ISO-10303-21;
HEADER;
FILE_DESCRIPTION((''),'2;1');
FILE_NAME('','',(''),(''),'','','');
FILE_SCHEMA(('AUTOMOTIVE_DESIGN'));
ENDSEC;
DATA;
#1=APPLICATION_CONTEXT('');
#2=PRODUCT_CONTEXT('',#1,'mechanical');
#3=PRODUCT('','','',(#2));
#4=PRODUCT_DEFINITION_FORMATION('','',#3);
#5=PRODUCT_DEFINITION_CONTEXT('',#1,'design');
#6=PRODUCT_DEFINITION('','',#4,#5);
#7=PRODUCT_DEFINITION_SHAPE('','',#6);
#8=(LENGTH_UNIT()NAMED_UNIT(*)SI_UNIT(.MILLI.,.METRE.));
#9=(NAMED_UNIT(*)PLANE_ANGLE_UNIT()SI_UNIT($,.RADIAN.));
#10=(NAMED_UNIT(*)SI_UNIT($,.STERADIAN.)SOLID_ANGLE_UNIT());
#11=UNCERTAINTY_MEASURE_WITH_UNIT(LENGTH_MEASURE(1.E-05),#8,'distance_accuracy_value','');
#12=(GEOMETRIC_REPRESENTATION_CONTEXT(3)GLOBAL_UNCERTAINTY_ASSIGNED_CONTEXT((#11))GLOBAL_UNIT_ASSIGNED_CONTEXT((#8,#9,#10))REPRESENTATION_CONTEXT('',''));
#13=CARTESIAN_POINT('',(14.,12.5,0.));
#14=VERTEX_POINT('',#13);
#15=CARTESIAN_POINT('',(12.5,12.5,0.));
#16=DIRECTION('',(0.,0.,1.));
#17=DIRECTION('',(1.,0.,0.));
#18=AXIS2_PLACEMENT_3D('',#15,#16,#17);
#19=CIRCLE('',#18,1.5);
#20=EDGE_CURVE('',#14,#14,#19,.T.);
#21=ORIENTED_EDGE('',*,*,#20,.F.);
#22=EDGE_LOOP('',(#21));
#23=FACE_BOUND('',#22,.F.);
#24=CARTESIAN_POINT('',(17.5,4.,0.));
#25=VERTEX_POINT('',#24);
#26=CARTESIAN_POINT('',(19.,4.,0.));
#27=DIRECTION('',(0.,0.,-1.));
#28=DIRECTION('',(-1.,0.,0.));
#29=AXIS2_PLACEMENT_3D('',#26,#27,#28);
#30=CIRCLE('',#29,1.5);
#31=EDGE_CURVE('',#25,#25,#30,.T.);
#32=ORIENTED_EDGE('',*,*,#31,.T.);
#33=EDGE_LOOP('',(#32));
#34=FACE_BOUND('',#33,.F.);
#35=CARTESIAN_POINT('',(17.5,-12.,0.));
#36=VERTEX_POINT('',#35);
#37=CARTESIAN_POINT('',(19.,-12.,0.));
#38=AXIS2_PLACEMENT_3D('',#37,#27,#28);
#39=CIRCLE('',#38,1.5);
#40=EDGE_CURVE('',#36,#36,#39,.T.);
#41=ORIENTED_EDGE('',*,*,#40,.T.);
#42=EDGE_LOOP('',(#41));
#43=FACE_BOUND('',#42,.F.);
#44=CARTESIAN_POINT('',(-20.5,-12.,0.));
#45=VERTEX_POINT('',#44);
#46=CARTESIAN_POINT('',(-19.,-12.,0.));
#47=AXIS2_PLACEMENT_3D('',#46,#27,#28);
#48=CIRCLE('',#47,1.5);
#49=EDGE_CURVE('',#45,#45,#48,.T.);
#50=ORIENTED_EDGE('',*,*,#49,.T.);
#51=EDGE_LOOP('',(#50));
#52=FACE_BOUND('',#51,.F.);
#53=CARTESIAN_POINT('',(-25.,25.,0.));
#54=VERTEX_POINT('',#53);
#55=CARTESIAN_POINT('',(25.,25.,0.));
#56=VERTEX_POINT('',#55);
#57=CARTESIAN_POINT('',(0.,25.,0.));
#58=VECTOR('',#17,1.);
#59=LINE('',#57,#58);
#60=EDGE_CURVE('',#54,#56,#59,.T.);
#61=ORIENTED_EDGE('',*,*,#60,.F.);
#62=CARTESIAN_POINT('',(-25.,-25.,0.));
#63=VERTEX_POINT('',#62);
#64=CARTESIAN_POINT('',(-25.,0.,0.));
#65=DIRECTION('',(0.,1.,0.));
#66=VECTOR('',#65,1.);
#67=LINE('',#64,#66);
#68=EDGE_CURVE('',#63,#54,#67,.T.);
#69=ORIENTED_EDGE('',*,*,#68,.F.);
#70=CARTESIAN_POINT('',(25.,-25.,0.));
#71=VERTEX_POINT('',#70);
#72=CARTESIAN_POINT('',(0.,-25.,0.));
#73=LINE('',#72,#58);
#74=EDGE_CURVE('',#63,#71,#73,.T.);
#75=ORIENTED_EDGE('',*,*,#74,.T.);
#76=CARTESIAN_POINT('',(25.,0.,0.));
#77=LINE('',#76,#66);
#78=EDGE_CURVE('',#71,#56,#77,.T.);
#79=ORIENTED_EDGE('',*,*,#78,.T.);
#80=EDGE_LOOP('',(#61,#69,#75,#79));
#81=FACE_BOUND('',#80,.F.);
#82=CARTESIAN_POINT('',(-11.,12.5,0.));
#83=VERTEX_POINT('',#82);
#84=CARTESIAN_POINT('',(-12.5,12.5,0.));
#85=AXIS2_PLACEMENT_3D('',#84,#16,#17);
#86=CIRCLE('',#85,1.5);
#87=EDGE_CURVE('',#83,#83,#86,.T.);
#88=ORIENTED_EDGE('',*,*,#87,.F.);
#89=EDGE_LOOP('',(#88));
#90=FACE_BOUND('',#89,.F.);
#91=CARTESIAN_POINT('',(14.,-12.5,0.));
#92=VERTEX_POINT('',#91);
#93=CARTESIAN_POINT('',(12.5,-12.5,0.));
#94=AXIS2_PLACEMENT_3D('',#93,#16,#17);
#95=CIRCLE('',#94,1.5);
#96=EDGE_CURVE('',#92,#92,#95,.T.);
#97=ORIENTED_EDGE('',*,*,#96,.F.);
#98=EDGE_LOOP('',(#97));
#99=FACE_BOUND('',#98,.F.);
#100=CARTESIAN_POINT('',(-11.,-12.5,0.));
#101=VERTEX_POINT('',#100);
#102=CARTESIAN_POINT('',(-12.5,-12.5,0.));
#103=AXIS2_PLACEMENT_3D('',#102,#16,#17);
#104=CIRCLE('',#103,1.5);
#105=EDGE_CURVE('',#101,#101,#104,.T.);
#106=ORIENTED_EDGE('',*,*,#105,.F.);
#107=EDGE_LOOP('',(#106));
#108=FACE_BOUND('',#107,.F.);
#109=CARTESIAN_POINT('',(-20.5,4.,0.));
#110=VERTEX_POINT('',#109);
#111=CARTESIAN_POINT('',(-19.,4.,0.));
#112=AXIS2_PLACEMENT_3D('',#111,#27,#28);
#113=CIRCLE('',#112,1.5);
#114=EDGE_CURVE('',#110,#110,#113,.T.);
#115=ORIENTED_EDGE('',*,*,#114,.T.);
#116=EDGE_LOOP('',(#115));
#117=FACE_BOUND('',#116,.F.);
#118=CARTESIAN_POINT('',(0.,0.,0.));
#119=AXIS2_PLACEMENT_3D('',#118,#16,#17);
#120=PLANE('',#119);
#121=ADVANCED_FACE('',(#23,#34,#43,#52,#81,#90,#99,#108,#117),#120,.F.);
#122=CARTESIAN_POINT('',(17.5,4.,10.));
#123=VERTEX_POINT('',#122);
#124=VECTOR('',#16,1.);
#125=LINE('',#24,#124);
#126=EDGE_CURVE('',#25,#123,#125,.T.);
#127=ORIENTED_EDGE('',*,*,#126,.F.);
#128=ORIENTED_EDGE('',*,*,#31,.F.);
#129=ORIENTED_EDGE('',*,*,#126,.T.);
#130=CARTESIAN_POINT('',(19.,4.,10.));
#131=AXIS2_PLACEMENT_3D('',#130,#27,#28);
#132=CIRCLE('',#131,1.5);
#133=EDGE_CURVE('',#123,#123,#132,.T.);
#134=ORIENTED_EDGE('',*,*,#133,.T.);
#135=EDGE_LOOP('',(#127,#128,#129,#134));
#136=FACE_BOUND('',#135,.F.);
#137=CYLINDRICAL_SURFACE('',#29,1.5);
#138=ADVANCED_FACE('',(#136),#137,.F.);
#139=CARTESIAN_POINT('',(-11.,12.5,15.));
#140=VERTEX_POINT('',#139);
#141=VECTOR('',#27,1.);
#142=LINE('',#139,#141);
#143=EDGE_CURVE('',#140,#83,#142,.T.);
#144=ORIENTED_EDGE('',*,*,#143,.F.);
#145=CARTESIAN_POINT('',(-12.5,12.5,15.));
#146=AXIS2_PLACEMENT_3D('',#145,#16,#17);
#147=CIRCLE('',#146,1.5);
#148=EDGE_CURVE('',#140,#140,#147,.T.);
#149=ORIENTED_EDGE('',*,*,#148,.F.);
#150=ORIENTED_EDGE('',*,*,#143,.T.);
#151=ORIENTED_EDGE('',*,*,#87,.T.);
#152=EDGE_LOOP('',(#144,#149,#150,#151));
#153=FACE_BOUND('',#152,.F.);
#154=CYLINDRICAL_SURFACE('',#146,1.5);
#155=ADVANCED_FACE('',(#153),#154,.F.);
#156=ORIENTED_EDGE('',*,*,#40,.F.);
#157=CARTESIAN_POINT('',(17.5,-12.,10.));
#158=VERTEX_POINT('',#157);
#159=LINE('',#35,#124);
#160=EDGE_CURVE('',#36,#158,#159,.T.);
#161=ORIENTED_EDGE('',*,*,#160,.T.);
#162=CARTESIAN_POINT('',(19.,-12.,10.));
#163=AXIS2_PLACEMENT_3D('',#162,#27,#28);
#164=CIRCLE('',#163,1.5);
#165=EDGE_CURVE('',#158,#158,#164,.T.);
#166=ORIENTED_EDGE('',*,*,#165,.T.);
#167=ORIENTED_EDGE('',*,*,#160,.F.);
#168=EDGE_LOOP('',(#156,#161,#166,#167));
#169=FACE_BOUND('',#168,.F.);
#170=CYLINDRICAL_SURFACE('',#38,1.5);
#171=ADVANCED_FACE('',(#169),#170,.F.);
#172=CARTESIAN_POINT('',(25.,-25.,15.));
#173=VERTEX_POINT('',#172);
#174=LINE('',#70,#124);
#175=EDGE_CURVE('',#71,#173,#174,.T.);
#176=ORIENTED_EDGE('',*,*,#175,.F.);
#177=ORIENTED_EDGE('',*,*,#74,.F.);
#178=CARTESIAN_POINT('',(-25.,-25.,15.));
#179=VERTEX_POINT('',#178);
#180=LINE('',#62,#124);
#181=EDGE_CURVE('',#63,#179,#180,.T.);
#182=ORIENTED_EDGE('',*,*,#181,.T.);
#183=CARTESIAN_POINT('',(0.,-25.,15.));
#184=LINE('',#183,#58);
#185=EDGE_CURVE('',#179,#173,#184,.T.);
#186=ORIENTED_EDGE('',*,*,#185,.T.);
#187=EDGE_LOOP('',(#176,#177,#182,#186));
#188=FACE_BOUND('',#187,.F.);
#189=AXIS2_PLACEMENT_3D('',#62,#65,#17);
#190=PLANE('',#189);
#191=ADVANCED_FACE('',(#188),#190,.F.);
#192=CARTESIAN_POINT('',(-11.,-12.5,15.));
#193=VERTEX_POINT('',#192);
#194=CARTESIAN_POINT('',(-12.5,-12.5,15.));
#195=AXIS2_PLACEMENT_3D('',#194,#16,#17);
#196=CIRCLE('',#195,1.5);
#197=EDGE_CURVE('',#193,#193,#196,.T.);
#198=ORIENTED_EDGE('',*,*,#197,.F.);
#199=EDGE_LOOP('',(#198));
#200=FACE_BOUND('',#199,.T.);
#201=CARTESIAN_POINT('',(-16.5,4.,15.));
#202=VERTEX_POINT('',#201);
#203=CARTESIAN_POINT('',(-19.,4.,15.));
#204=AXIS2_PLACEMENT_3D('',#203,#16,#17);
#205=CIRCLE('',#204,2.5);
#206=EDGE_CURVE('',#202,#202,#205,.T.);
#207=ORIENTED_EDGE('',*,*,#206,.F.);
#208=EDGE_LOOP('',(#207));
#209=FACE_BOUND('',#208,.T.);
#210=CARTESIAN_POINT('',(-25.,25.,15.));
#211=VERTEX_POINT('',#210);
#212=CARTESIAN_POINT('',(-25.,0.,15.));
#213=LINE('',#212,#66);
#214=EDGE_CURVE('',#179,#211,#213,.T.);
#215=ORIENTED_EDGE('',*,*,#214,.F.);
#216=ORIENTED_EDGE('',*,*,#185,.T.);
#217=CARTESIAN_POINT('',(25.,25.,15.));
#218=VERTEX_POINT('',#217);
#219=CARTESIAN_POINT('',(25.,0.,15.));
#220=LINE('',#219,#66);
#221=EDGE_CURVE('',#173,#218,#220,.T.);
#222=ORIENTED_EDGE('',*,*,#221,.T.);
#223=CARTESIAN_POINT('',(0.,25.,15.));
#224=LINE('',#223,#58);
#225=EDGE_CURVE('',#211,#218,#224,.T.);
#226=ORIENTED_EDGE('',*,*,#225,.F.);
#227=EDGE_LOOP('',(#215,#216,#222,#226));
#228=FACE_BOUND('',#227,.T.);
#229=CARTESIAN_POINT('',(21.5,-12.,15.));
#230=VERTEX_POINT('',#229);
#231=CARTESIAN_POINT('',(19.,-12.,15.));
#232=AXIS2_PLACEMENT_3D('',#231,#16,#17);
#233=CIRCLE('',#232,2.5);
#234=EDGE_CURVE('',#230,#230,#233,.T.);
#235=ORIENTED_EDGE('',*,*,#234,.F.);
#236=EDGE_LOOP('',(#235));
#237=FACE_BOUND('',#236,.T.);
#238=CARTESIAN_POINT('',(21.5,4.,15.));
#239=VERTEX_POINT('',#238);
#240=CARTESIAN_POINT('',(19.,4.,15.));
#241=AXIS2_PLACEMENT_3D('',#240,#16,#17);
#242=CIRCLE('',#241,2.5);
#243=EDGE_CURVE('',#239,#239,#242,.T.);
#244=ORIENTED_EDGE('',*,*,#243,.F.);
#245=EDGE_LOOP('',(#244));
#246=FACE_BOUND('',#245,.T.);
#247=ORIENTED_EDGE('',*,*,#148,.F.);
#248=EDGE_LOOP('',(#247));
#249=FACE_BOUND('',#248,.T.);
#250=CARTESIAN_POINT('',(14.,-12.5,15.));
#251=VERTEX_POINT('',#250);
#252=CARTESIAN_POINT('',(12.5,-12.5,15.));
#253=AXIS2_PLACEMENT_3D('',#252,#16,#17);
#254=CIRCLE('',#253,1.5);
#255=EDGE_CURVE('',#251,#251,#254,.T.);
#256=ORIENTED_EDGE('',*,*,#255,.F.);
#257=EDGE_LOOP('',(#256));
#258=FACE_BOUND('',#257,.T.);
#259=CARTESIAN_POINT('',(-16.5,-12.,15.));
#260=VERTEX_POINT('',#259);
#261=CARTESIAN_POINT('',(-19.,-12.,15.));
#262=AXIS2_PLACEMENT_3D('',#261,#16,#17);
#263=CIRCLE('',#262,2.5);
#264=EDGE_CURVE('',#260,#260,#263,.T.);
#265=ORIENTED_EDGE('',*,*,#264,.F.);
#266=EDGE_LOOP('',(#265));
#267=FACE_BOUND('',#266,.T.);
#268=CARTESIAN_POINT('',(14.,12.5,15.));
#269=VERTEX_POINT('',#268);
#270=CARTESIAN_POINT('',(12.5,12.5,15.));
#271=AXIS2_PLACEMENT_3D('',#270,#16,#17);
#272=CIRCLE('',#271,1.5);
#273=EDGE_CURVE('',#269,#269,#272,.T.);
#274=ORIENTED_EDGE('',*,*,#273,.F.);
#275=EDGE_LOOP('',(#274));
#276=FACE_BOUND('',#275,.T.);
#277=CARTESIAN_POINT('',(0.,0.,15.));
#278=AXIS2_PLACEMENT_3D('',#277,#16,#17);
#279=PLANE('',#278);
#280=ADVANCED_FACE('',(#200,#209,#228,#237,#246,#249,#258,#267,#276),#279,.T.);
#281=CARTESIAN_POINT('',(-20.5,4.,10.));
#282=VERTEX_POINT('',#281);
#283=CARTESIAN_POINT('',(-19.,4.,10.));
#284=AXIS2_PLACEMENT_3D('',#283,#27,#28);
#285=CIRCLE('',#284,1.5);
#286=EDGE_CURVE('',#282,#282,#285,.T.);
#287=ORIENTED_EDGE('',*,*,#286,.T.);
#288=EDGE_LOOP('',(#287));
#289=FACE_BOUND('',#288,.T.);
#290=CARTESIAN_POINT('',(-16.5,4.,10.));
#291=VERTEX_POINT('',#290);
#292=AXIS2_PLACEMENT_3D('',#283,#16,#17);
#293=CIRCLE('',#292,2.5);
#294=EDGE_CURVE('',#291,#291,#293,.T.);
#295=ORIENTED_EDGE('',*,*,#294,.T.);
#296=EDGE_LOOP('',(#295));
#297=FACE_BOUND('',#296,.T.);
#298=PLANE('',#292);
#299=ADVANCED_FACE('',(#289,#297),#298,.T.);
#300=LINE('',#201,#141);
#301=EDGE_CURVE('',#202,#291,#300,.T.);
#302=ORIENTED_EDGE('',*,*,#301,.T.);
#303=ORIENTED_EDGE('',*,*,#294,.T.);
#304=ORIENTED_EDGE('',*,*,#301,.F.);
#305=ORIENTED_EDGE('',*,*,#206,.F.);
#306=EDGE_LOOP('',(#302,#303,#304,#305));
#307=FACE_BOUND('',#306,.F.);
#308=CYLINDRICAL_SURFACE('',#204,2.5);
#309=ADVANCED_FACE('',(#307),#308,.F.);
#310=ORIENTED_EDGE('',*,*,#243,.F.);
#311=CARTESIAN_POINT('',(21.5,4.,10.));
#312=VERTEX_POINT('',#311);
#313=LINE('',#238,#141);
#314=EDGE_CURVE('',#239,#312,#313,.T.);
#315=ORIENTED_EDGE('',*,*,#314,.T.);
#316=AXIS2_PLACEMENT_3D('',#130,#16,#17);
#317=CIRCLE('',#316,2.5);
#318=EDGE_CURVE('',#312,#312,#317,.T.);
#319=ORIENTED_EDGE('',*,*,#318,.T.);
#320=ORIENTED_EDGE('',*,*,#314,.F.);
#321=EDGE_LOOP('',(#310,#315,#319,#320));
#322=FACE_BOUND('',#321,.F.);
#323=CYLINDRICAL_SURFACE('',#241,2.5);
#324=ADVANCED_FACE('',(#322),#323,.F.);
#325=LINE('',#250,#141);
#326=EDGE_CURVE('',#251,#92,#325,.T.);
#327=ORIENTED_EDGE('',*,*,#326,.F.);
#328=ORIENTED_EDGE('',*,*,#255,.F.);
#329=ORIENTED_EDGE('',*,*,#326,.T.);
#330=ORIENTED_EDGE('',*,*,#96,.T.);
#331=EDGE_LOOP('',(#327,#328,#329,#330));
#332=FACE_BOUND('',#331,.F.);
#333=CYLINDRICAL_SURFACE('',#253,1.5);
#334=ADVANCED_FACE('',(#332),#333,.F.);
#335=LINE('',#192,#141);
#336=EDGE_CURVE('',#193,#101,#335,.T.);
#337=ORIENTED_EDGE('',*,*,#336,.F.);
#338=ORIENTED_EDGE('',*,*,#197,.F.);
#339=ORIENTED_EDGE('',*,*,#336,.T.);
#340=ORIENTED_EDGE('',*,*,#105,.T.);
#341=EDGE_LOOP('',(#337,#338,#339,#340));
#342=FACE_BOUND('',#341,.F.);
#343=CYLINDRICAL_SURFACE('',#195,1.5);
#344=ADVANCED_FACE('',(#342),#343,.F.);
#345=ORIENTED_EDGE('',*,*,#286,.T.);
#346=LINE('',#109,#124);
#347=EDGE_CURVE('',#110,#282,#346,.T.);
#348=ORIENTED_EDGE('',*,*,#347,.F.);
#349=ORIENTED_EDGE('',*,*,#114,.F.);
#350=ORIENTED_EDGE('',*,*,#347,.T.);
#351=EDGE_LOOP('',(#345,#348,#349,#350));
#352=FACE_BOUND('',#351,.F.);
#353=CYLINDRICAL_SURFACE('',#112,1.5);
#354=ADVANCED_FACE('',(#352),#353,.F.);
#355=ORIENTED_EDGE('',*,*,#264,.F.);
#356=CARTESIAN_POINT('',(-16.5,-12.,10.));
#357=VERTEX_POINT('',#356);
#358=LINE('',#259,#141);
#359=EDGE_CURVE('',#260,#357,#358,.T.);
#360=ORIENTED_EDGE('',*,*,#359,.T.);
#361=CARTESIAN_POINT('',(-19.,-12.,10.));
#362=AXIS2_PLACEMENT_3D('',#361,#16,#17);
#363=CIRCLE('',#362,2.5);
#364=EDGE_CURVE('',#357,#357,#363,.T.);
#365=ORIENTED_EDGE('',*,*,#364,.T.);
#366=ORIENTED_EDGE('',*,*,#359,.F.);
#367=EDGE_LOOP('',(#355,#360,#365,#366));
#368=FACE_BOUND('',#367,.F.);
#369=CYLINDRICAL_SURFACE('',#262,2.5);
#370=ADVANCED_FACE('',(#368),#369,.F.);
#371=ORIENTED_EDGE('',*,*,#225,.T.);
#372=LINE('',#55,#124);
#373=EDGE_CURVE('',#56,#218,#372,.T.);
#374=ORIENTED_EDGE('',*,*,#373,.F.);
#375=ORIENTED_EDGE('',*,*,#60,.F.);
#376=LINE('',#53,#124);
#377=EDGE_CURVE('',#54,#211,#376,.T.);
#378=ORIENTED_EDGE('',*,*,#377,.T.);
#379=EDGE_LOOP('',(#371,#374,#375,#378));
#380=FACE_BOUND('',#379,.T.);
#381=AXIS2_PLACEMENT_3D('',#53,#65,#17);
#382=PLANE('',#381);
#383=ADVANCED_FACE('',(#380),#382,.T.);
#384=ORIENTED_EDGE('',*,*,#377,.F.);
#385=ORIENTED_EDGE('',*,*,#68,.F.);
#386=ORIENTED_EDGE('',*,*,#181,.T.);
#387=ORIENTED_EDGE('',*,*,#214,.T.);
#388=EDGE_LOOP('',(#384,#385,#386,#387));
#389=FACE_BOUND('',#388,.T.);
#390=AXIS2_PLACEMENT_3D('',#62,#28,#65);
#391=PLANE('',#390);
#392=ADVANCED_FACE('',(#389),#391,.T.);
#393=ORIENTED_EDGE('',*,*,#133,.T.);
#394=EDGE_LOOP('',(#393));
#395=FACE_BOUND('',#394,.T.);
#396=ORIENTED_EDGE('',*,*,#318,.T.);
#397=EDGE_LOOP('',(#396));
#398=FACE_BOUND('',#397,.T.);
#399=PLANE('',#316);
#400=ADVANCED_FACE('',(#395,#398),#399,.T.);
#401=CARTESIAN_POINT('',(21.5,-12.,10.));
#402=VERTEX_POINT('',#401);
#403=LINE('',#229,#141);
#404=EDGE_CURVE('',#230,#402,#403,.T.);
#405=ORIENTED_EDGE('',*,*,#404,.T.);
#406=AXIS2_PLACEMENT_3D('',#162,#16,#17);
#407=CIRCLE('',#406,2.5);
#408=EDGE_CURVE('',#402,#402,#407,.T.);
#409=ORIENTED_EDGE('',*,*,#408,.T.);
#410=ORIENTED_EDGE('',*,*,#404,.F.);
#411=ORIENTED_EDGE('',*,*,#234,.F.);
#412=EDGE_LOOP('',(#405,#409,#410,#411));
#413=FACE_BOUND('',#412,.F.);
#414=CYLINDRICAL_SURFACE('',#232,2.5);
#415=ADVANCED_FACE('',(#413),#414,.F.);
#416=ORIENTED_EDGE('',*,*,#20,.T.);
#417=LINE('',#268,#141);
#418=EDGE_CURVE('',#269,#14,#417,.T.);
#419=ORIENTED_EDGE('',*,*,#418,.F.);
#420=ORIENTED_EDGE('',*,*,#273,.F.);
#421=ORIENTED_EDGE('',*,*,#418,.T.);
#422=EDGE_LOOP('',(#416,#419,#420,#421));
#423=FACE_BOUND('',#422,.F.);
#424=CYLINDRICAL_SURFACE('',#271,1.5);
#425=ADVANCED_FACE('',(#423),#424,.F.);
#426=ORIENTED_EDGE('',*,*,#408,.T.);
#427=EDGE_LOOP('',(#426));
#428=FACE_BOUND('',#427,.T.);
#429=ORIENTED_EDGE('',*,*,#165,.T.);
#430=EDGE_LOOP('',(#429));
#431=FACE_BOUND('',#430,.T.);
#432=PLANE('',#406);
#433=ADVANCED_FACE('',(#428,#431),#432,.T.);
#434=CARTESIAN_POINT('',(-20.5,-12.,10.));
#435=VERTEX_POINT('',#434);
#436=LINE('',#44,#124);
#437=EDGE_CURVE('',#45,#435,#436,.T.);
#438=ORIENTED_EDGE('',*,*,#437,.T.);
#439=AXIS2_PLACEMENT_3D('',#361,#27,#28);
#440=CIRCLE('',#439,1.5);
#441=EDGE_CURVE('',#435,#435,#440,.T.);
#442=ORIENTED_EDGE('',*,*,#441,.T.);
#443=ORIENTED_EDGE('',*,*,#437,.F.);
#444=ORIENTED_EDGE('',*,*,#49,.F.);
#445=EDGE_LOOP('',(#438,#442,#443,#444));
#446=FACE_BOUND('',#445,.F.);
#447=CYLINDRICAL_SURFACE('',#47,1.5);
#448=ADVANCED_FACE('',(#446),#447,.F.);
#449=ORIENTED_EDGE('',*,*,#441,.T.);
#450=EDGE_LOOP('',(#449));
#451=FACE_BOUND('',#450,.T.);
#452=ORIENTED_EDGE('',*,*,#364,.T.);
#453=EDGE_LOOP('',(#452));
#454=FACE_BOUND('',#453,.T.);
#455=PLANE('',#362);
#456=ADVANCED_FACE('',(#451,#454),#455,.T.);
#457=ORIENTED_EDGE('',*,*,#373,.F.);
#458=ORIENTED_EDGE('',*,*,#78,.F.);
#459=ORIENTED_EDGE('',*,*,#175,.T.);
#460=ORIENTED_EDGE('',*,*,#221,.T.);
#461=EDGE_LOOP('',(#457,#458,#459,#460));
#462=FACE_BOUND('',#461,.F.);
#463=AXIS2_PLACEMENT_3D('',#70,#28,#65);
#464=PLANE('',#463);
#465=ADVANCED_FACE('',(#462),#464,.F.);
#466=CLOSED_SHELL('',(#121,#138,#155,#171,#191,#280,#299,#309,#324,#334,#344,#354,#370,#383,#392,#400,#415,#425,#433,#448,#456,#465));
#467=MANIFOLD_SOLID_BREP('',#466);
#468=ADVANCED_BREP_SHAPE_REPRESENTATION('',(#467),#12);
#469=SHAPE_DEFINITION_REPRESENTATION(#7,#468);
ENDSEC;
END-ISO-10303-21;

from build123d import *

# Parameters (mm, degrees)
SKETCH1_W           = 50
SKETCH1_H           = 50
BOSS_EXTRUDE1_DEPTH = 15
CUT_EXTRUDE1_REACH  = 40.406
SKETCH2_R           = 1.5
SKETCH3_R           = 2.5
CUT_EXTRUDE2_DEPTH  = 5
CUT_EXTRUDE3_REACH  = 40.406
SKETCH4_R           = 1.5


with BuildPart() as part:
    # Sketch1 → Boss-Extrude1 (new body)
    with BuildSketch(Plane.XY):
        Rectangle(SKETCH1_W, SKETCH1_H)
    extrude(amount=BOSS_EXTRUDE1_DEPTH)

    # Sketch2 → Cut-Extrude1 (cut, up to next)
    with BuildSketch(Plane(origin=(0, 0, 0), x_dir=(-1, 0, 0), z_dir=(0, 0, -1)), mode=Mode.PRIVATE) as cut_extrude1_sk1:
        with Locations((-19, 4)):
            Circle(SKETCH2_R)
    cut_extrude1_tool1 = extrude(cut_extrude1_sk1.sketch, amount=-CUT_EXTRUDE1_REACH, mode=Mode.PRIVATE) & part.part
    # Sketch2 → Cut-Extrude1 (cut, up to next)
    with BuildSketch(Plane(origin=(0, 0, 0), x_dir=(-1, 0, 0), z_dir=(0, 0, -1)), mode=Mode.PRIVATE) as cut_extrude1_sk2:
        with Locations((-19, -12)):
            Circle(SKETCH2_R)
    cut_extrude1_tool2 = extrude(cut_extrude1_sk2.sketch, amount=-CUT_EXTRUDE1_REACH, mode=Mode.PRIVATE) & part.part
    # Sketch2 → Cut-Extrude1 (cut, up to next)
    with BuildSketch(Plane(origin=(0, 0, 0), x_dir=(-1, 0, 0), z_dir=(0, 0, -1)), mode=Mode.PRIVATE) as cut_extrude1_sk3:
        with Locations((19, -12)):
            Circle(SKETCH2_R)
    cut_extrude1_tool3 = extrude(cut_extrude1_sk3.sketch, amount=-CUT_EXTRUDE1_REACH, mode=Mode.PRIVATE) & part.part
    # Sketch2 → Cut-Extrude1 (cut, up to next)
    with BuildSketch(Plane(origin=(0, 0, 0), x_dir=(-1, 0, 0), z_dir=(0, 0, -1)), mode=Mode.PRIVATE) as cut_extrude1_sk4:
        with Locations((19, 4)):
            Circle(SKETCH2_R)
    cut_extrude1_tool4 = extrude(cut_extrude1_sk4.sketch, amount=-CUT_EXTRUDE1_REACH, mode=Mode.PRIVATE) & part.part
    add(cut_extrude1_tool1.solids().sort_by_distance((19, 4, 0))[0], mode=Mode.SUBTRACT)
    add(cut_extrude1_tool2.solids().sort_by_distance((19, -12, 0))[0], mode=Mode.SUBTRACT)
    add(cut_extrude1_tool3.solids().sort_by_distance((-19, -12, 0))[0], mode=Mode.SUBTRACT)
    add(cut_extrude1_tool4.solids().sort_by_distance((-19, 4, 0))[0], mode=Mode.SUBTRACT)

    # Sketch3 → Cut-Extrude2 (cut)
    with BuildSketch(Plane.XY.offset(15)):
        with Locations((-19, 4)):
            Circle(SKETCH3_R)
        with Locations((-19, -12)):
            Circle(SKETCH3_R)
        with Locations((19, 4)):
            Circle(SKETCH3_R)
        with Locations((19, -12)):
            Circle(SKETCH3_R)
    extrude(amount=-CUT_EXTRUDE2_DEPTH, mode=Mode.SUBTRACT)

    # Sketch4 → Cut-Extrude3 (cut, up to next)
    with BuildSketch(Plane.XY.offset(15), mode=Mode.PRIVATE) as cut_extrude3_sk1:
        with Locations((-12.5, -12.5)):
            Circle(SKETCH4_R)
    cut_extrude3_tool1 = extrude(cut_extrude3_sk1.sketch, amount=-CUT_EXTRUDE3_REACH, mode=Mode.PRIVATE) & part.part
    # Sketch4 → Cut-Extrude3 (cut, up to next)
    with BuildSketch(Plane.XY.offset(15), mode=Mode.PRIVATE) as cut_extrude3_sk2:
        with Locations((-12.5, 12.5)):
            Circle(SKETCH4_R)
    cut_extrude3_tool2 = extrude(cut_extrude3_sk2.sketch, amount=-CUT_EXTRUDE3_REACH, mode=Mode.PRIVATE) & part.part
    # Sketch4 → Cut-Extrude3 (cut, up to next)
    with BuildSketch(Plane.XY.offset(15), mode=Mode.PRIVATE) as cut_extrude3_sk3:
        with Locations((12.5, -12.5)):
            Circle(SKETCH4_R)
    cut_extrude3_tool3 = extrude(cut_extrude3_sk3.sketch, amount=-CUT_EXTRUDE3_REACH, mode=Mode.PRIVATE) & part.part
    # Sketch4 → Cut-Extrude3 (cut, up to next)
    with BuildSketch(Plane.XY.offset(15), mode=Mode.PRIVATE) as cut_extrude3_sk4:
        with Locations((12.5, 12.5)):
            Circle(SKETCH4_R)
    cut_extrude3_tool4 = extrude(cut_extrude3_sk4.sketch, amount=-CUT_EXTRUDE3_REACH, mode=Mode.PRIVATE) & part.part
    add(cut_extrude3_tool1.solids().sort_by_distance((-12.5, -12.5, 15))[0], mode=Mode.SUBTRACT)
    add(cut_extrude3_tool2.solids().sort_by_distance((-12.5, 12.5, 15))[0], mode=Mode.SUBTRACT)
    add(cut_extrude3_tool3.solids().sort_by_distance((12.5, -12.5, 15))[0], mode=Mode.SUBTRACT)
    add(cut_extrude3_tool4.solids().sort_by_distance((12.5, 12.5, 15))[0], mode=Mode.SUBTRACT)


solid = part.part
